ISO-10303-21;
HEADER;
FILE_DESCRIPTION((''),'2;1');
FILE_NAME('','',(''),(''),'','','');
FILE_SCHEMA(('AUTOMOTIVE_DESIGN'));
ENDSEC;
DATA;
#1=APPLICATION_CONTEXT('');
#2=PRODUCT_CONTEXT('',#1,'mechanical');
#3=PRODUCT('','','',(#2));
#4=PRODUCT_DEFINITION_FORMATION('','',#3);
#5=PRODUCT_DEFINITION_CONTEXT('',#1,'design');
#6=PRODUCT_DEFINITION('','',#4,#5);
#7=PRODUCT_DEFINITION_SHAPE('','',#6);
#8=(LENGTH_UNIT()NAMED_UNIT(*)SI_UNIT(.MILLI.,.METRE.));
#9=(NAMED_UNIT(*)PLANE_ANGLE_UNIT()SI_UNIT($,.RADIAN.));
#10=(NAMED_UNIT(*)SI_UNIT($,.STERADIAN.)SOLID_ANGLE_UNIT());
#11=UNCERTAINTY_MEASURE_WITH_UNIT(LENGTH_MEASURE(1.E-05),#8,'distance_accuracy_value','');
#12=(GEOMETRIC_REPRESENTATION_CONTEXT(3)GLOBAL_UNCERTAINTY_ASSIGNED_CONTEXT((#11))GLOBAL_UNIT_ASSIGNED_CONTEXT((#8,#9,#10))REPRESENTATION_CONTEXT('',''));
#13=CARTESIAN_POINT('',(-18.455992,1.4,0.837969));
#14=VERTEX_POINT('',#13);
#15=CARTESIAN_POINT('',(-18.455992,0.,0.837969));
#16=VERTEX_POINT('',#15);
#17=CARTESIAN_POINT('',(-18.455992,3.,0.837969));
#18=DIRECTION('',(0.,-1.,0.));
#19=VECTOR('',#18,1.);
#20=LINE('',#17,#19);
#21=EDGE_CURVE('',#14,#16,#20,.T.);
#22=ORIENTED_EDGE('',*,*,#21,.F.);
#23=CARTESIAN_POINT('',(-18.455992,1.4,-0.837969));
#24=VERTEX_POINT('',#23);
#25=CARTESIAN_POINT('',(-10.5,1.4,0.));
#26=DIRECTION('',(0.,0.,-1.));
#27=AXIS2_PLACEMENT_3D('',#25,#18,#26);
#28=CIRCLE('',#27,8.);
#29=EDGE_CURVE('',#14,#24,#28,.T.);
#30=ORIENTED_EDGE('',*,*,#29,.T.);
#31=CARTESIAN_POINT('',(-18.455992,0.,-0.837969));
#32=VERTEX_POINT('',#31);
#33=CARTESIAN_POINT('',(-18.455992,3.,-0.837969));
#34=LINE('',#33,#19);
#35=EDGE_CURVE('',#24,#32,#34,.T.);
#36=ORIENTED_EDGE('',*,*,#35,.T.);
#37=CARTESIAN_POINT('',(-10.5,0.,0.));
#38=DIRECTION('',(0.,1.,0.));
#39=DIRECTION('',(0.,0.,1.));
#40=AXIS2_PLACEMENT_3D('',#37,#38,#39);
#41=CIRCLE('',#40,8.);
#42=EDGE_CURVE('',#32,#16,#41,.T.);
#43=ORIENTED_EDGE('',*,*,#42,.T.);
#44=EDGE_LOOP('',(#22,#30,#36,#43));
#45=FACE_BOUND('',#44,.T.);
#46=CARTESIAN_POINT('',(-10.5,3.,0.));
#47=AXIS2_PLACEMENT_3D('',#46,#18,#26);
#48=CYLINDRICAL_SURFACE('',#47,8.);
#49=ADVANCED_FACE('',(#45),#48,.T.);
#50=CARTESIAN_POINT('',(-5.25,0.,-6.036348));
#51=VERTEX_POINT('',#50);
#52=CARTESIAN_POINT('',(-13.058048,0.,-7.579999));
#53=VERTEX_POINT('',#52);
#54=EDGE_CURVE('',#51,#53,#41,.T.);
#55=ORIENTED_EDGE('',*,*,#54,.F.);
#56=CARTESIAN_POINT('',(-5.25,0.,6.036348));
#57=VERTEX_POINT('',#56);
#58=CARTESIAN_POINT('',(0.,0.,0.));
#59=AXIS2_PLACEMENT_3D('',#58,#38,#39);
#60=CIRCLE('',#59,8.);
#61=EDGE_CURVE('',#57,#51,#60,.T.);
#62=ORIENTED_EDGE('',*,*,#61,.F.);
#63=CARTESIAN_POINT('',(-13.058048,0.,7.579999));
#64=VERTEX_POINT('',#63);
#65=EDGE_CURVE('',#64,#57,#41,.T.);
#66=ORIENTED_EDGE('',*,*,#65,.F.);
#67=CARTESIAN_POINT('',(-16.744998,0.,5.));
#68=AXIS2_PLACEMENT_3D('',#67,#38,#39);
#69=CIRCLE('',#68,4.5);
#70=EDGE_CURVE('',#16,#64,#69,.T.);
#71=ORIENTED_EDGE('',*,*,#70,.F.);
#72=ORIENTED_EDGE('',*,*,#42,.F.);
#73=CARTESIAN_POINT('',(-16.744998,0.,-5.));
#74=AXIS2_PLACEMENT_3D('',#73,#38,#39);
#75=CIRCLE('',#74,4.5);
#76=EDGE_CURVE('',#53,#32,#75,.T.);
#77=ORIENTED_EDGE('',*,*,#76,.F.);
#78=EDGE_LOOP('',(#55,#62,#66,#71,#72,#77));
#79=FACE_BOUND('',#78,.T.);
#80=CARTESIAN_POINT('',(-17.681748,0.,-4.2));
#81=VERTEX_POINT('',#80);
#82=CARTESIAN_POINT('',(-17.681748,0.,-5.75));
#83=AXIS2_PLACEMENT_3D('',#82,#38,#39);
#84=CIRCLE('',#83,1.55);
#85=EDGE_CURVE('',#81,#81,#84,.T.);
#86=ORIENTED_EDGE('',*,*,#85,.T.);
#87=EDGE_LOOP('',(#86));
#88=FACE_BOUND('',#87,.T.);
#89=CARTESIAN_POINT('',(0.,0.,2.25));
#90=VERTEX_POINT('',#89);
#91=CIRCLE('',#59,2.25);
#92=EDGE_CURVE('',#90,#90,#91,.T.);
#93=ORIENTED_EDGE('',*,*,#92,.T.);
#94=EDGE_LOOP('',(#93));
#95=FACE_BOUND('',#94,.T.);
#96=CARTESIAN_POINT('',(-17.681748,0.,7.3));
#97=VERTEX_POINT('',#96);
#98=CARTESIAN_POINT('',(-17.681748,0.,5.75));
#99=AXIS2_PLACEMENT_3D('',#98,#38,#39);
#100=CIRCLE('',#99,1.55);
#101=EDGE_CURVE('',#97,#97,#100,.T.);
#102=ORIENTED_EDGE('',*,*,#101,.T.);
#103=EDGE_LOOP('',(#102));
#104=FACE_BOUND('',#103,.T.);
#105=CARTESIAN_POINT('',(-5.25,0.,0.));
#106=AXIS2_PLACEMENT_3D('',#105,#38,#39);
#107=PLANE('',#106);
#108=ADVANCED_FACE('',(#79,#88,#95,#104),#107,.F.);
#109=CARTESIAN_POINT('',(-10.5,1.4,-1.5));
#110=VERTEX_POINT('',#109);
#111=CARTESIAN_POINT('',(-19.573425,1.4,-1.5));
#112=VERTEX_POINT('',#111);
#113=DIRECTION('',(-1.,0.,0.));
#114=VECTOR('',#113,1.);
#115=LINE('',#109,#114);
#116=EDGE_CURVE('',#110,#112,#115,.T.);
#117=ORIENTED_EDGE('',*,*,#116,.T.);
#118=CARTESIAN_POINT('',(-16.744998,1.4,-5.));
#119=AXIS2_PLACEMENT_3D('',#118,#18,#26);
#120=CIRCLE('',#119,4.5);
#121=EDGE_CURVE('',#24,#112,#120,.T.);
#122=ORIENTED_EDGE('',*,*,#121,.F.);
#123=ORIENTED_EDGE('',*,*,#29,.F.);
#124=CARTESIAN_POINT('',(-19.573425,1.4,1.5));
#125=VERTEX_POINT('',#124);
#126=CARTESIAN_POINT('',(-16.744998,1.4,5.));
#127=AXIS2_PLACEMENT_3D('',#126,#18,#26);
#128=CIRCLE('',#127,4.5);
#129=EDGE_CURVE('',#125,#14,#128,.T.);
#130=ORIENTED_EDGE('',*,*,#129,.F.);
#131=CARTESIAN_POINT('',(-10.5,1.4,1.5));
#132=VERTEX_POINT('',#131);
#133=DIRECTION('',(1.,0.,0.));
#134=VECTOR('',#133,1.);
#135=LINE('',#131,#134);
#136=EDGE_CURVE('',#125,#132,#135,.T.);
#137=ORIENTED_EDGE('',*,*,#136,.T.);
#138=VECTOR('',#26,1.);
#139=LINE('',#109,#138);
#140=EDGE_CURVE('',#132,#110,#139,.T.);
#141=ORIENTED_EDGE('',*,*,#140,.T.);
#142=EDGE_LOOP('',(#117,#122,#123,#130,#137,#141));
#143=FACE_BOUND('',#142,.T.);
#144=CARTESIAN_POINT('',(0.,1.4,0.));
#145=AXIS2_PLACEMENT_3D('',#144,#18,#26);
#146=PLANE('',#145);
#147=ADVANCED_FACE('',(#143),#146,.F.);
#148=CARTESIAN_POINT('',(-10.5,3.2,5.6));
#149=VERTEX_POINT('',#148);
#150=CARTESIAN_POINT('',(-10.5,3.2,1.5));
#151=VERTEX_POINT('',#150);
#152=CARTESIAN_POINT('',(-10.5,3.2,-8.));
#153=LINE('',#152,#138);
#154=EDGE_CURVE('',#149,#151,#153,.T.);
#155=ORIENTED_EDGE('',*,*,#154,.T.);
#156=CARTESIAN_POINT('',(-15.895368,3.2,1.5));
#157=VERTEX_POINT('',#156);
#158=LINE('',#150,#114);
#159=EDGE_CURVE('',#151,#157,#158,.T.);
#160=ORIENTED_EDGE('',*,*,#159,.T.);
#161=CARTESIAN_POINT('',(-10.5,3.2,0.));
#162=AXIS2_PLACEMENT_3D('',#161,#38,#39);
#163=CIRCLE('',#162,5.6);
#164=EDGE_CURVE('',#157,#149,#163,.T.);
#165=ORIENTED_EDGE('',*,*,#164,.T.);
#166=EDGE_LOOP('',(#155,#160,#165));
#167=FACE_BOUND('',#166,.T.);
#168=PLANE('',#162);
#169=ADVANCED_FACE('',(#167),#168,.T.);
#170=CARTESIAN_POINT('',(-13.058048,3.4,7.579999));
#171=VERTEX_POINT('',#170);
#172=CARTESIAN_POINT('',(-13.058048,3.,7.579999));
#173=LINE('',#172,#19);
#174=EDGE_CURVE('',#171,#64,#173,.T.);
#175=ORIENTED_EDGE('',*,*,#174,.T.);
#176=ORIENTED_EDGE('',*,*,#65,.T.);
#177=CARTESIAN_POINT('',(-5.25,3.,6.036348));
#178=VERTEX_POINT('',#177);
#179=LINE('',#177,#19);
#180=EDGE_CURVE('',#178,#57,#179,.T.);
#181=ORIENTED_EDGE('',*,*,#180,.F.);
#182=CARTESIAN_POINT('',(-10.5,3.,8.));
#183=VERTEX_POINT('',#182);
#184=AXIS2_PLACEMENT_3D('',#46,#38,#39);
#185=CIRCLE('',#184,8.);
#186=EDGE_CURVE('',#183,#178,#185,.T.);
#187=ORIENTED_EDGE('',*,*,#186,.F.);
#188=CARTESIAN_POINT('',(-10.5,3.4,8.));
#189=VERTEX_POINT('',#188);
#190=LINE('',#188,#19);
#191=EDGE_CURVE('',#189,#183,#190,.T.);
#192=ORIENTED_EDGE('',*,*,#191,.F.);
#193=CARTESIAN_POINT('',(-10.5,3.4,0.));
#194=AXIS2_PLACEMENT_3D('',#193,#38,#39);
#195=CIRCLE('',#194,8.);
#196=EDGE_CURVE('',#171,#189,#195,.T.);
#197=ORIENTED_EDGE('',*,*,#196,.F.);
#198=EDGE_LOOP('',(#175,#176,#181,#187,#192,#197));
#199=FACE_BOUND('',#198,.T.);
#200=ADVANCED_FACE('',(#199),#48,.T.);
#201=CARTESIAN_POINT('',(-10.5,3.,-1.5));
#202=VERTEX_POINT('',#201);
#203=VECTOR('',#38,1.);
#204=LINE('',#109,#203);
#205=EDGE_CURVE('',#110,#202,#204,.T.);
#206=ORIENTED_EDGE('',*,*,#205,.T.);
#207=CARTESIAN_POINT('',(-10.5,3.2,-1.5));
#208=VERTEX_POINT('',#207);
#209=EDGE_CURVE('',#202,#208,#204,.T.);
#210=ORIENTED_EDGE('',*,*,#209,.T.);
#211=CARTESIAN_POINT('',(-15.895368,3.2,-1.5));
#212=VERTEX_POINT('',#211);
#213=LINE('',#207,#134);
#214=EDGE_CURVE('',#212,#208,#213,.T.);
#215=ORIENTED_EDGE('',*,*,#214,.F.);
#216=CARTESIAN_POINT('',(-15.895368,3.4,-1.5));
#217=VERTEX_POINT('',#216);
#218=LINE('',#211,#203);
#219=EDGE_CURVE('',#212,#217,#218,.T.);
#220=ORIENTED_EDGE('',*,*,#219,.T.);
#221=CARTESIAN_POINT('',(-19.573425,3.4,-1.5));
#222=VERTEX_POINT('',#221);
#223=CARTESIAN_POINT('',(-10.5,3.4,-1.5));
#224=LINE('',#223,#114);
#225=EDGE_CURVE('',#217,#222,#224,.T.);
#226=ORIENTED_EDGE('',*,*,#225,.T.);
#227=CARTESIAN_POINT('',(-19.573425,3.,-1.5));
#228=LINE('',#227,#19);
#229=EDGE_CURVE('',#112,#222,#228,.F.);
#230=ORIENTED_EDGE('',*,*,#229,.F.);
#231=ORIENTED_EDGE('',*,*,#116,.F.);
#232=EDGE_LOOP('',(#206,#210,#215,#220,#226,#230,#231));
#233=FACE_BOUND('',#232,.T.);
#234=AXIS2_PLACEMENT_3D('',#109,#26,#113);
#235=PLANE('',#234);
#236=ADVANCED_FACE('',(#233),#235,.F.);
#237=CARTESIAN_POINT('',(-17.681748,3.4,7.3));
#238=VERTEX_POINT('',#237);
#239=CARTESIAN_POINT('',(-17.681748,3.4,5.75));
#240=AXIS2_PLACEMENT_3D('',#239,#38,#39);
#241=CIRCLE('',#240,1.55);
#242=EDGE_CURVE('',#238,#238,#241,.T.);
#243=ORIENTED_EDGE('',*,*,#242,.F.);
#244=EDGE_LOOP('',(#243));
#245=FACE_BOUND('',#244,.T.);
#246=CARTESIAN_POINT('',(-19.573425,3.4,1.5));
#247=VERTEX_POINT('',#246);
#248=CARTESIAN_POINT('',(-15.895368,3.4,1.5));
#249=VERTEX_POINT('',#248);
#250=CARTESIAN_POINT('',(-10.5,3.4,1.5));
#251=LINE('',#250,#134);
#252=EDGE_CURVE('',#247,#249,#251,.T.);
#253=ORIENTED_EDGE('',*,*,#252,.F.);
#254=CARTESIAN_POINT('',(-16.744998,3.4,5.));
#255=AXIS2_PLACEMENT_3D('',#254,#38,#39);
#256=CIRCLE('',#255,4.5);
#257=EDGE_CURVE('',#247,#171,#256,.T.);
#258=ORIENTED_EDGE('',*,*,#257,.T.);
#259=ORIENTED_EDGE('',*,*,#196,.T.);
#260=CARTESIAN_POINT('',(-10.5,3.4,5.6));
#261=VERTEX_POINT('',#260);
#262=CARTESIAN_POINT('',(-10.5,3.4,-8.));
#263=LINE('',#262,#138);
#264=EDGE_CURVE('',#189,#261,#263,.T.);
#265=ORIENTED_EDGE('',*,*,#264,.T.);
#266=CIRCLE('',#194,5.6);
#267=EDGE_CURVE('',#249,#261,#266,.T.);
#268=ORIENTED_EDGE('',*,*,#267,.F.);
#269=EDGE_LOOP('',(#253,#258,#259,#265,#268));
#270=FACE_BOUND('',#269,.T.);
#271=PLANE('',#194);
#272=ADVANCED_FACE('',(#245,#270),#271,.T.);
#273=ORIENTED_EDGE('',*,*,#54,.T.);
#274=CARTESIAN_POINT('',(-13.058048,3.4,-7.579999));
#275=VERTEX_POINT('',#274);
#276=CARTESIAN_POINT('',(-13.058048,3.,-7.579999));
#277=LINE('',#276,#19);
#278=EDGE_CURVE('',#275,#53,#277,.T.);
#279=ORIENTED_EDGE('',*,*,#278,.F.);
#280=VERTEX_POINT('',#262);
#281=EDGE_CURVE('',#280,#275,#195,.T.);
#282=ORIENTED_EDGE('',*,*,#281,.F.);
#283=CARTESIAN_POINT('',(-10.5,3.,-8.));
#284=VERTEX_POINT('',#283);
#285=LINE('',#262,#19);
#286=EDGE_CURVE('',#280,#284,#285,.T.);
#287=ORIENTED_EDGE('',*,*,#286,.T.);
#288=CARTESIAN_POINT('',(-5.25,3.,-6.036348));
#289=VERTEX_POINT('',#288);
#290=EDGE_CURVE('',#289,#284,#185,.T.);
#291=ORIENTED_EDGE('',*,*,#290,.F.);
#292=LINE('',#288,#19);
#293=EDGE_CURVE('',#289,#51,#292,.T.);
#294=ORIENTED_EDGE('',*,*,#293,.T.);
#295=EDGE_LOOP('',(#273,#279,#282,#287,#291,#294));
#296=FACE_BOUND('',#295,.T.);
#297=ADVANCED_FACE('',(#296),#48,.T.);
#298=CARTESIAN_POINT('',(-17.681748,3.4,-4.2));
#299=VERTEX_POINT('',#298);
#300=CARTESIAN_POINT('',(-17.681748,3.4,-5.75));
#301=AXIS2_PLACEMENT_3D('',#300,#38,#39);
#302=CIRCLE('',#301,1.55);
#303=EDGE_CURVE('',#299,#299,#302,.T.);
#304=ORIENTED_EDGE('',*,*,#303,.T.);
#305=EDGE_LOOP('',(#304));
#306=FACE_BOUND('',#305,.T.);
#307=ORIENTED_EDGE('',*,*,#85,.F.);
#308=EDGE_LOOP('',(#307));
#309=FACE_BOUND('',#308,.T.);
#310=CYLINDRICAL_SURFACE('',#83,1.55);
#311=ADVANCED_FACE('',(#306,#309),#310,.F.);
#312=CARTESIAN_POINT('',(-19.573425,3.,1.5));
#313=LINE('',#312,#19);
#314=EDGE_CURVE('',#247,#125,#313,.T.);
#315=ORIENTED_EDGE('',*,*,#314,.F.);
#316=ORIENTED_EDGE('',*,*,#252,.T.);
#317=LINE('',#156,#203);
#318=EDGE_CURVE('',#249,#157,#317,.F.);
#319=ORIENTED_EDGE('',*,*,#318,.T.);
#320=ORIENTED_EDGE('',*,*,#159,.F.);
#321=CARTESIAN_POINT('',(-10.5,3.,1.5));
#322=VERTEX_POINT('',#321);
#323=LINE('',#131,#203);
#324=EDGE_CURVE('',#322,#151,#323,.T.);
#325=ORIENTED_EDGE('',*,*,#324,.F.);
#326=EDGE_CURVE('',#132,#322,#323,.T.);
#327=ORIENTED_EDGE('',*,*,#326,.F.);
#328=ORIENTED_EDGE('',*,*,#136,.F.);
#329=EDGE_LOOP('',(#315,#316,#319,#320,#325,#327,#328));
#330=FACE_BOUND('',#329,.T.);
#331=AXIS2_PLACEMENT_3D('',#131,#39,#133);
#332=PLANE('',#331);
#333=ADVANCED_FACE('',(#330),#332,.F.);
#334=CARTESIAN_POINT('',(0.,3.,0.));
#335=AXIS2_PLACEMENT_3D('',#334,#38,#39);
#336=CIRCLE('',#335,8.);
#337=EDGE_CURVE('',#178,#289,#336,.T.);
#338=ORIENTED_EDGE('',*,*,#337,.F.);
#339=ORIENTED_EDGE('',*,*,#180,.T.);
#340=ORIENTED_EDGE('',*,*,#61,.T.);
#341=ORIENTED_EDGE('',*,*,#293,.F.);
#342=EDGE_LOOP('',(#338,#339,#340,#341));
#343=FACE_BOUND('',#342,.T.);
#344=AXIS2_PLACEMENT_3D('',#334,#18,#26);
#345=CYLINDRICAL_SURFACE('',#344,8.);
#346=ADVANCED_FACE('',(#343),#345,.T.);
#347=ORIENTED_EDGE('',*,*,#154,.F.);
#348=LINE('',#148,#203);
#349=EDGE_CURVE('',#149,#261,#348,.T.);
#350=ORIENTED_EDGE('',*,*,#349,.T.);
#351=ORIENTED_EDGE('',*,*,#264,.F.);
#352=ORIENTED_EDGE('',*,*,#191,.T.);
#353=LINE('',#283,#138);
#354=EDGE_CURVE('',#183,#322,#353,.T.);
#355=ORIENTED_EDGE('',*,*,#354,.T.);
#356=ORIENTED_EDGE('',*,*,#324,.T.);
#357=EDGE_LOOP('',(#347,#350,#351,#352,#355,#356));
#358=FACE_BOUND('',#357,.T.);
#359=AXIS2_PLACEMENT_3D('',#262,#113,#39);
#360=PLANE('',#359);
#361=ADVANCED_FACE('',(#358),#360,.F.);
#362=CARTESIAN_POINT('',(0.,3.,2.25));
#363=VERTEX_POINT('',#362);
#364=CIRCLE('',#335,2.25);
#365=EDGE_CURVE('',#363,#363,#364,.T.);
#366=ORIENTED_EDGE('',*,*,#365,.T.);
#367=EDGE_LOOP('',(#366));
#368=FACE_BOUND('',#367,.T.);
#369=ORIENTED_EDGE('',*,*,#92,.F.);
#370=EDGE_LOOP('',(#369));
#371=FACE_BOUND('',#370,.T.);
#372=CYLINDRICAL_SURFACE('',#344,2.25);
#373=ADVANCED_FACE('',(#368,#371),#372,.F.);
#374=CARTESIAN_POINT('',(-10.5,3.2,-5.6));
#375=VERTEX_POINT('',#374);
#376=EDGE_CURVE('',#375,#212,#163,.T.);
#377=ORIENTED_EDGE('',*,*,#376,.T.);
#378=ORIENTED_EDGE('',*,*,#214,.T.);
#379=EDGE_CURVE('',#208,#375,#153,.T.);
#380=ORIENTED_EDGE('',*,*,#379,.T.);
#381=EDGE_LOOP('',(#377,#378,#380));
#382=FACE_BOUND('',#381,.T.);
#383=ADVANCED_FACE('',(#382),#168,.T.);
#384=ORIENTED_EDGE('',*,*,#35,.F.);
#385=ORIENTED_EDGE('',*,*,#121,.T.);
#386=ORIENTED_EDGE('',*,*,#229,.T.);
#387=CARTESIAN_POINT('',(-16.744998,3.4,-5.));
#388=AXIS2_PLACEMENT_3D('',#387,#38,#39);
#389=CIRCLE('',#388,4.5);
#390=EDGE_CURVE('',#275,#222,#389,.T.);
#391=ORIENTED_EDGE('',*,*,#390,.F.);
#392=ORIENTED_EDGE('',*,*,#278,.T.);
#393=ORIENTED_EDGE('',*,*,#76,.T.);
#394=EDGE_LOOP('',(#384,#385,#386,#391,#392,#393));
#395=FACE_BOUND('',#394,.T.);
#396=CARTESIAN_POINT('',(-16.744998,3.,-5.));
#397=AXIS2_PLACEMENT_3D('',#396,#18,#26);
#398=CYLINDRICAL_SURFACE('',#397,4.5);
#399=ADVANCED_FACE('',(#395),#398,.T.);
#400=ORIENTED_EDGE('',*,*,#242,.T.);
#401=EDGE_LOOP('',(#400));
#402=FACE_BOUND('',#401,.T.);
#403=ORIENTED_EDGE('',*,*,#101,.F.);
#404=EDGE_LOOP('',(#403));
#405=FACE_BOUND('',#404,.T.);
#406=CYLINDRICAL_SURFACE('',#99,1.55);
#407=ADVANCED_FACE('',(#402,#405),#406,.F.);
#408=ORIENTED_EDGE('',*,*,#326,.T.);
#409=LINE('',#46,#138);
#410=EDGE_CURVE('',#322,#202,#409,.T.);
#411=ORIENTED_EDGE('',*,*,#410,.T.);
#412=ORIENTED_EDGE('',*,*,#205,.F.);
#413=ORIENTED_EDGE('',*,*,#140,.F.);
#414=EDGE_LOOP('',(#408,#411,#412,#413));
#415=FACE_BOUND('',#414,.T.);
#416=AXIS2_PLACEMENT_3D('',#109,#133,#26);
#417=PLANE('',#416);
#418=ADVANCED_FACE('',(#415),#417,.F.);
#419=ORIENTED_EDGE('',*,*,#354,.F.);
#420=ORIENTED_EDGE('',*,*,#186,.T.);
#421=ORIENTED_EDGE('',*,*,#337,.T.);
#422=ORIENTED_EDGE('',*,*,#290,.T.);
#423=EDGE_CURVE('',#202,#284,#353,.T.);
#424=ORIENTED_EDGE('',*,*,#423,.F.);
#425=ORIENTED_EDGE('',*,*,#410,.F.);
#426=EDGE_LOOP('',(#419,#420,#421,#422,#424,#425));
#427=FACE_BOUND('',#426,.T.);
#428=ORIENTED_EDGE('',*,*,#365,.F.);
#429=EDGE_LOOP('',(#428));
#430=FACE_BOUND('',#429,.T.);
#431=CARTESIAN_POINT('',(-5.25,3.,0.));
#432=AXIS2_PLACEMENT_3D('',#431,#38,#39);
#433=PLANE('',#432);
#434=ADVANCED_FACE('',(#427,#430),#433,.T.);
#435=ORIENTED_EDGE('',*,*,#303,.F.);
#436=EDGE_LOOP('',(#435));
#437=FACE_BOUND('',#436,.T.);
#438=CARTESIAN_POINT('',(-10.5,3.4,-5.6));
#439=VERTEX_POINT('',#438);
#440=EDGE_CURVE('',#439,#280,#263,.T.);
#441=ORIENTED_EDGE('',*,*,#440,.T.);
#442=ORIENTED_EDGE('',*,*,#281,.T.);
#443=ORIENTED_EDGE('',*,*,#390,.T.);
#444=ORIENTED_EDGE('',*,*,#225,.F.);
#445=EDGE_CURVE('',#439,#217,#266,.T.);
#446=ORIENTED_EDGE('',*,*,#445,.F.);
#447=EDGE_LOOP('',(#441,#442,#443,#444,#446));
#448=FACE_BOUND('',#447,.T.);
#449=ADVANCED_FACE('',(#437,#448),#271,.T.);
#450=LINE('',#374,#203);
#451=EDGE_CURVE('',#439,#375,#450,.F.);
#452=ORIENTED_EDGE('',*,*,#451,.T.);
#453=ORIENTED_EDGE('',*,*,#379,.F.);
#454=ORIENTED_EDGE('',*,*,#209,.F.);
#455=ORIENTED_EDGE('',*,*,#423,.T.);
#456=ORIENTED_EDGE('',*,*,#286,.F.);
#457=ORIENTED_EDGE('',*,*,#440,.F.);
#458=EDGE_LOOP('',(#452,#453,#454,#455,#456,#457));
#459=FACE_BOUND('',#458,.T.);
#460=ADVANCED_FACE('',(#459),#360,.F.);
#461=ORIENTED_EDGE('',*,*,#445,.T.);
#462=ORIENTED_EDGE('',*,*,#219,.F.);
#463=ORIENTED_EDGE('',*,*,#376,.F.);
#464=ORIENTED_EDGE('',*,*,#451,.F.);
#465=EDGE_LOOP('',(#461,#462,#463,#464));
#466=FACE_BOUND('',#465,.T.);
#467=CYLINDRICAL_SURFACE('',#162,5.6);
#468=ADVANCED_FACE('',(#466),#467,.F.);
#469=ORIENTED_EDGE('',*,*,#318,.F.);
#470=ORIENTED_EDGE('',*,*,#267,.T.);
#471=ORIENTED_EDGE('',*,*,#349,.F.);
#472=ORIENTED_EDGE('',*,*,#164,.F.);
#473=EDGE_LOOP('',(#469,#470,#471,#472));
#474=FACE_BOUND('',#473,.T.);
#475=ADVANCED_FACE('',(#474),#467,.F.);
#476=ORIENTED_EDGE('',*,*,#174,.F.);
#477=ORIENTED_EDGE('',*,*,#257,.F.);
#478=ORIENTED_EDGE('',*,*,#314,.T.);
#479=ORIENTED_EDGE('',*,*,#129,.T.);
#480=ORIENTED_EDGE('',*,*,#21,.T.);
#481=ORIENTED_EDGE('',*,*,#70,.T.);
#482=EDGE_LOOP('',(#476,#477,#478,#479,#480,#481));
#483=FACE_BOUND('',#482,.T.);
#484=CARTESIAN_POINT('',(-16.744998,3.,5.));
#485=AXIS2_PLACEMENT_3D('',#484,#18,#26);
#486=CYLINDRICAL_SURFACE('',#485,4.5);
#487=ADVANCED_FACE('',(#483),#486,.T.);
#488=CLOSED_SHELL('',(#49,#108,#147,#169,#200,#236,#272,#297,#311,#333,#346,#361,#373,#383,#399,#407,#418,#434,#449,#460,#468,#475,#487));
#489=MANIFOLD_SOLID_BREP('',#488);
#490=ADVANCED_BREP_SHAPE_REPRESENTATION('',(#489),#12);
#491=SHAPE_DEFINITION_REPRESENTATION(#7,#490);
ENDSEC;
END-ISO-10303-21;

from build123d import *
from build123d.topology import SkipClean

# Parameters (mm, degrees)
SKETCH_1_R          = 2.25
EXTRUDE_1_DEPTH     = 3
EXTRUDE_2_DEPTH     = 0.4
SKETCH_6_W          = 12.522512513
SKETCH_6_H          = 3
CUT_EXTRUDE_1_DEPTH = 2
SKETCH_7_R          = 5.6
CUT_EXTRUDE_2_DEPTH = 0.2
SKETCH_9_R          = 1.55
CUT_EXTRUDE_3_DEPTH = 24.519352456


with BuildPart() as part:
    # 草图1 → 凸台-拉伸1 (new body)
    with BuildSketch(Plane(origin=(0, 0, 0), x_dir=(1, 0, 0), z_dir=(0, 1, 0))):
        with BuildLine():
            ThreePointArc((-5.25, -6.036348234), (8, 0), (-5.25, 6.036348234))
            ThreePointArc((-5.25, 6.036348234), (-8.948430916, 7.848097437), (-13.058047675, 7.579999479))
            ThreePointArc((-13.058047675, 7.579999479), (-20.257809372, 7.8125), (-18.455991924, 0.837969271))
            ThreePointArc((-18.455991924, 0.837969271), (-18.5, 0), (-18.455991924, -0.837969271))
            ThreePointArc((-18.455991924, -0.837969271), (-20.257809372, -7.8125), (-13.058047675, -7.579999479))
            ThreePointArc((-13.058047675, -7.579999479), (-8.948430916, -7.848097437), (-5.25, -6.036348234))
        make_face()
        with Locations(Location((0, 0, 0), (0, 0, 270))):
            Circle(SKETCH_1_R, mode=Mode.SUBTRACT)
    extrude(amount=EXTRUDE_1_DEPTH)

    # 草图5 → 凸台-拉伸2 (add)
    with SkipClean():  # the faces are left unmerged after this step: merging them gives an invalid solid
        with BuildSketch(Plane(origin=(0, 3, 0), x_dir=(1, 0, 0), z_dir=(0, 1, 0))):
            with BuildLine():
                Line((-10.5, 8), (-10.5, -8))
                ThreePointArc((-10.5, -8), (-11.796148944, -7.89430161), (-13.058047675, -7.579999479))
                ThreePointArc((-13.058047675, -7.579999479), (-20.257809372, -7.8125), (-18.455991924, -0.837969271))
                ThreePointArc((-18.455991924, -0.837969271), (-18.5, 0), (-18.455991924, 0.837969271))
                ThreePointArc((-18.455991924, 0.837969271), (-20.257809372, 7.8125), (-13.058047675, 7.579999479))
                ThreePointArc((-13.058047675, 7.579999479), (-11.796148944, 7.89430161), (-10.5, 8))
            make_face()
        extrude(amount=EXTRUDE_2_DEPTH)

    # 草图6 → 切除-拉伸1 (cut)
    with SkipClean():  # the faces are left unmerged after this step: merging them gives an invalid solid
        with BuildSketch(Plane(origin=(0, 3.4, 0), x_dir=(1, 0, 0), z_dir=(0, 1, 0))):
            with Locations((-16.761256257, 0)):
                Rectangle(SKETCH_6_W, SKETCH_6_H)
        extrude(amount=-CUT_EXTRUDE_1_DEPTH, mode=Mode.SUBTRACT)

    # 草图7 → 切除-拉伸2 (cut)
    with SkipClean():  # the faces are left unmerged after this step: merging them gives an invalid solid
        with BuildSketch(Plane(origin=(0, 3.4, 0), x_dir=(1, 0, 0), z_dir=(0, 1, 0))):
            with Locations((-10.5, 0)):
                Circle(SKETCH_7_R)
        extrude(amount=-CUT_EXTRUDE_2_DEPTH, mode=Mode.SUBTRACT)

    # 草图9 → 切除-拉伸3 (cut, through all)
    with SkipClean():  # the faces are left unmerged after this step: merging them gives an invalid solid
        with BuildSketch(Plane(origin=(0, 3.4, 0), x_dir=(1, 0, 0), z_dir=(0, 1, 0))):
            with Locations(Location((-17.681747698, 5.75, 0), (0, 0, 270))):
                Circle(SKETCH_9_R)
            with Locations(Location((-17.681747698, -5.75, 0), (0, 0, 270))):
                Circle(SKETCH_9_R)
        extrude(amount=-CUT_EXTRUDE_3_DEPTH, mode=Mode.SUBTRACT)


solid = part.part
